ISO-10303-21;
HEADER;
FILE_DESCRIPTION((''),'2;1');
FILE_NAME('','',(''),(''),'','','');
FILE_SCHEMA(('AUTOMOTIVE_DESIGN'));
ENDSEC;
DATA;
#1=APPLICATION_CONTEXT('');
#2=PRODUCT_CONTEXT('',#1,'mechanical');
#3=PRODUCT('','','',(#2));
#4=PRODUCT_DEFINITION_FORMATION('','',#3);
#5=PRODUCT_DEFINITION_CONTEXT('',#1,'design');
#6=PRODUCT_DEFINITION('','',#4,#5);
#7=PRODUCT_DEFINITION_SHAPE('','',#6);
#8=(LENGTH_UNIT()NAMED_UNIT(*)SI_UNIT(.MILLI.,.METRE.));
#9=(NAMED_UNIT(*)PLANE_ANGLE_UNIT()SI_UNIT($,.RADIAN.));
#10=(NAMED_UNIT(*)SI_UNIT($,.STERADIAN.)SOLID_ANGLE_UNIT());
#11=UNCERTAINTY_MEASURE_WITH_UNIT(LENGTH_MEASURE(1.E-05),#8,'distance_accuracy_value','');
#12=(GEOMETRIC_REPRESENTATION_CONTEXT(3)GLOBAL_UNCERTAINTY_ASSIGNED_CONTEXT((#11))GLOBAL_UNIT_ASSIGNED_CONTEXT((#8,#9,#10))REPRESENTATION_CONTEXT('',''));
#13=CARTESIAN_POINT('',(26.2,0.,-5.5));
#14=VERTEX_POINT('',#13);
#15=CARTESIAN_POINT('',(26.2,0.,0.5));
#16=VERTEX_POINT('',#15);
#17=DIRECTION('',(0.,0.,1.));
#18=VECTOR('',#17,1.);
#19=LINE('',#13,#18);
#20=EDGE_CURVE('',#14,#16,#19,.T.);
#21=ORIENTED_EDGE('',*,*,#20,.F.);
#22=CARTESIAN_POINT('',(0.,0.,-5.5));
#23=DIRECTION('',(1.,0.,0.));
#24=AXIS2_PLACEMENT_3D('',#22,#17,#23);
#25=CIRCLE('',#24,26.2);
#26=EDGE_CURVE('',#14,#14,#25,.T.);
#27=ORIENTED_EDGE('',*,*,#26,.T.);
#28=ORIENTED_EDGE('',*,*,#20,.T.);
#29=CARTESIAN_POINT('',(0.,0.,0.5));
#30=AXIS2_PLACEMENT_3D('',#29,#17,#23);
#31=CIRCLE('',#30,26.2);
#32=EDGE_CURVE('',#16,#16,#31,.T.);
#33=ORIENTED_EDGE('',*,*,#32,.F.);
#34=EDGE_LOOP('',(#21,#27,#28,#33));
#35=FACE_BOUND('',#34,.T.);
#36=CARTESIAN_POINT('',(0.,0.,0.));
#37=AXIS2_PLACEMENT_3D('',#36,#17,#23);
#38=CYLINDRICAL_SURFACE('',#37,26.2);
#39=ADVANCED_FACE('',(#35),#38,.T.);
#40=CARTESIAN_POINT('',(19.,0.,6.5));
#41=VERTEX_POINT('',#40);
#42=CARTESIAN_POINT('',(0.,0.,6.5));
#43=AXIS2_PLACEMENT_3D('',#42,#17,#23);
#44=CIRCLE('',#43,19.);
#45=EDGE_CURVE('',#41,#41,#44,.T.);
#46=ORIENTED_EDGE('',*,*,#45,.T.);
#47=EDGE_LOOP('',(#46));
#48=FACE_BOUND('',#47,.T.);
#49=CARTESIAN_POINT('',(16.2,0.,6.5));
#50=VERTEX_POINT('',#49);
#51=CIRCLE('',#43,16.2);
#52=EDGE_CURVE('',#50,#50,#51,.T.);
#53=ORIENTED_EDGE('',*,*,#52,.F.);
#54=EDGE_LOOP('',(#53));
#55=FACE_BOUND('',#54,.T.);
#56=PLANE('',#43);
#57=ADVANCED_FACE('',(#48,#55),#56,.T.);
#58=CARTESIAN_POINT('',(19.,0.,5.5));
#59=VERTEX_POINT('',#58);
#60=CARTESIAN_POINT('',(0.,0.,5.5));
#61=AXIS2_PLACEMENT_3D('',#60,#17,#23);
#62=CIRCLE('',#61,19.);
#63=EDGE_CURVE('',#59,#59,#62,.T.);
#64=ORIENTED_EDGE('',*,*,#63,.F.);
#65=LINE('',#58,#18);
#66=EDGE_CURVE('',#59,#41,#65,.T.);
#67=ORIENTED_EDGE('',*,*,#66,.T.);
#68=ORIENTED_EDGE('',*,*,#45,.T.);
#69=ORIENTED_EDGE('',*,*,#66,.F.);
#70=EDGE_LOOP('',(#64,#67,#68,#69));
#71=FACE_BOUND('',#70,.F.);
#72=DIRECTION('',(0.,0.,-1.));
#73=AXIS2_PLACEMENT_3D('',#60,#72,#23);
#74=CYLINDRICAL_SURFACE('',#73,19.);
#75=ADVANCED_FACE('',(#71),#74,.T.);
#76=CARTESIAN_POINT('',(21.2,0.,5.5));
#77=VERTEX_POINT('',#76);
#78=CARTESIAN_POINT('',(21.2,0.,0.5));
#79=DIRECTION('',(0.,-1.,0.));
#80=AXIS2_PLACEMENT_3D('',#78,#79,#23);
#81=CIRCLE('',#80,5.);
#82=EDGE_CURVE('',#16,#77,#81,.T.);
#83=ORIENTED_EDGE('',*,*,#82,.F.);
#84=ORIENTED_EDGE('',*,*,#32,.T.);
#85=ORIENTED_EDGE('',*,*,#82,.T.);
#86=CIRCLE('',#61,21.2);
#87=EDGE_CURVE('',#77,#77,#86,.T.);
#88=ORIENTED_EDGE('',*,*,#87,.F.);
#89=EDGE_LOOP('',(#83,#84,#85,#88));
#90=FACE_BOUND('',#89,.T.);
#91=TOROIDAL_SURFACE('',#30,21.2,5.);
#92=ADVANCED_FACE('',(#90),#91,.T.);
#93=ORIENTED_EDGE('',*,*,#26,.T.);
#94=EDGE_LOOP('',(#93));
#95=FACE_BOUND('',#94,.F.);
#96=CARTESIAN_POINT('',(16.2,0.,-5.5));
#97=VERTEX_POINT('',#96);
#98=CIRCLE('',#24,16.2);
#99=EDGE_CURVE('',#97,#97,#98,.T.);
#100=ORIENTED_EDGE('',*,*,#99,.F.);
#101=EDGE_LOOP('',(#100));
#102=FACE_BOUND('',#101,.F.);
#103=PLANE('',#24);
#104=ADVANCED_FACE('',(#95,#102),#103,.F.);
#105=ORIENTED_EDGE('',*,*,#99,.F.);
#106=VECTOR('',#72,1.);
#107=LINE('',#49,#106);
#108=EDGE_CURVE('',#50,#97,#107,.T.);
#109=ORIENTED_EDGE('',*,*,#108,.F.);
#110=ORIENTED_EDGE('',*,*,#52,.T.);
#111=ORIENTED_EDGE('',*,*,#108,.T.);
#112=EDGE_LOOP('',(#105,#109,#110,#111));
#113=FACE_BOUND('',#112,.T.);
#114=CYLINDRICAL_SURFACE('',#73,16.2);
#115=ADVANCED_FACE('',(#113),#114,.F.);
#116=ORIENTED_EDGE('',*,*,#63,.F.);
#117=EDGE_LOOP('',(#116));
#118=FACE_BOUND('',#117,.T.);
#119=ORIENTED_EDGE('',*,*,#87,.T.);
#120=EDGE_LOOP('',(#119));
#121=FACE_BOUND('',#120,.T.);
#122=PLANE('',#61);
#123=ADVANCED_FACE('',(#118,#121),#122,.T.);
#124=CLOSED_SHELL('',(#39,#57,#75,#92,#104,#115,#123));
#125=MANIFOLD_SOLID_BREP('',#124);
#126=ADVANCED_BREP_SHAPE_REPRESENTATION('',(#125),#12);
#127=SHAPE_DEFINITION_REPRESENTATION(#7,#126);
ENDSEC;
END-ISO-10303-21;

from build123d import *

# Parameters (mm, degrees)
SKETCH_R      = 26.2
SKETCH_R_2    = 16.2
PAD_DEPTH     = 5.5
SKETCH001_R   = 19
SKETCH001_R_2 = 16.2
PAD001_DEPTH  = 1
FILLET_R      = 5


with BuildPart() as part:
    # Sketch → Pad (new body, symmetric)
    with BuildSketch(Plane.XY):
        Circle(SKETCH_R)
        Circle(SKETCH_R_2, mode=Mode.SUBTRACT)
    extrude(amount=PAD_DEPTH, both=True)

    # Sketch001 → Pad001 (new body)
    with BuildSketch(Plane.XY.offset(5.5)):
        Circle(SKETCH001_R)
        Circle(SKETCH001_R_2, mode=Mode.SUBTRACT)
    extrude(amount=PAD001_DEPTH)

    # Fillet
    fillet_edges = [part.edges().sort_by_distance(p)[0] for p in [
        (-26.2, 0, 5.5),
    ]]
    fillet(fillet_edges, radius=FILLET_R)


solid = part.part
